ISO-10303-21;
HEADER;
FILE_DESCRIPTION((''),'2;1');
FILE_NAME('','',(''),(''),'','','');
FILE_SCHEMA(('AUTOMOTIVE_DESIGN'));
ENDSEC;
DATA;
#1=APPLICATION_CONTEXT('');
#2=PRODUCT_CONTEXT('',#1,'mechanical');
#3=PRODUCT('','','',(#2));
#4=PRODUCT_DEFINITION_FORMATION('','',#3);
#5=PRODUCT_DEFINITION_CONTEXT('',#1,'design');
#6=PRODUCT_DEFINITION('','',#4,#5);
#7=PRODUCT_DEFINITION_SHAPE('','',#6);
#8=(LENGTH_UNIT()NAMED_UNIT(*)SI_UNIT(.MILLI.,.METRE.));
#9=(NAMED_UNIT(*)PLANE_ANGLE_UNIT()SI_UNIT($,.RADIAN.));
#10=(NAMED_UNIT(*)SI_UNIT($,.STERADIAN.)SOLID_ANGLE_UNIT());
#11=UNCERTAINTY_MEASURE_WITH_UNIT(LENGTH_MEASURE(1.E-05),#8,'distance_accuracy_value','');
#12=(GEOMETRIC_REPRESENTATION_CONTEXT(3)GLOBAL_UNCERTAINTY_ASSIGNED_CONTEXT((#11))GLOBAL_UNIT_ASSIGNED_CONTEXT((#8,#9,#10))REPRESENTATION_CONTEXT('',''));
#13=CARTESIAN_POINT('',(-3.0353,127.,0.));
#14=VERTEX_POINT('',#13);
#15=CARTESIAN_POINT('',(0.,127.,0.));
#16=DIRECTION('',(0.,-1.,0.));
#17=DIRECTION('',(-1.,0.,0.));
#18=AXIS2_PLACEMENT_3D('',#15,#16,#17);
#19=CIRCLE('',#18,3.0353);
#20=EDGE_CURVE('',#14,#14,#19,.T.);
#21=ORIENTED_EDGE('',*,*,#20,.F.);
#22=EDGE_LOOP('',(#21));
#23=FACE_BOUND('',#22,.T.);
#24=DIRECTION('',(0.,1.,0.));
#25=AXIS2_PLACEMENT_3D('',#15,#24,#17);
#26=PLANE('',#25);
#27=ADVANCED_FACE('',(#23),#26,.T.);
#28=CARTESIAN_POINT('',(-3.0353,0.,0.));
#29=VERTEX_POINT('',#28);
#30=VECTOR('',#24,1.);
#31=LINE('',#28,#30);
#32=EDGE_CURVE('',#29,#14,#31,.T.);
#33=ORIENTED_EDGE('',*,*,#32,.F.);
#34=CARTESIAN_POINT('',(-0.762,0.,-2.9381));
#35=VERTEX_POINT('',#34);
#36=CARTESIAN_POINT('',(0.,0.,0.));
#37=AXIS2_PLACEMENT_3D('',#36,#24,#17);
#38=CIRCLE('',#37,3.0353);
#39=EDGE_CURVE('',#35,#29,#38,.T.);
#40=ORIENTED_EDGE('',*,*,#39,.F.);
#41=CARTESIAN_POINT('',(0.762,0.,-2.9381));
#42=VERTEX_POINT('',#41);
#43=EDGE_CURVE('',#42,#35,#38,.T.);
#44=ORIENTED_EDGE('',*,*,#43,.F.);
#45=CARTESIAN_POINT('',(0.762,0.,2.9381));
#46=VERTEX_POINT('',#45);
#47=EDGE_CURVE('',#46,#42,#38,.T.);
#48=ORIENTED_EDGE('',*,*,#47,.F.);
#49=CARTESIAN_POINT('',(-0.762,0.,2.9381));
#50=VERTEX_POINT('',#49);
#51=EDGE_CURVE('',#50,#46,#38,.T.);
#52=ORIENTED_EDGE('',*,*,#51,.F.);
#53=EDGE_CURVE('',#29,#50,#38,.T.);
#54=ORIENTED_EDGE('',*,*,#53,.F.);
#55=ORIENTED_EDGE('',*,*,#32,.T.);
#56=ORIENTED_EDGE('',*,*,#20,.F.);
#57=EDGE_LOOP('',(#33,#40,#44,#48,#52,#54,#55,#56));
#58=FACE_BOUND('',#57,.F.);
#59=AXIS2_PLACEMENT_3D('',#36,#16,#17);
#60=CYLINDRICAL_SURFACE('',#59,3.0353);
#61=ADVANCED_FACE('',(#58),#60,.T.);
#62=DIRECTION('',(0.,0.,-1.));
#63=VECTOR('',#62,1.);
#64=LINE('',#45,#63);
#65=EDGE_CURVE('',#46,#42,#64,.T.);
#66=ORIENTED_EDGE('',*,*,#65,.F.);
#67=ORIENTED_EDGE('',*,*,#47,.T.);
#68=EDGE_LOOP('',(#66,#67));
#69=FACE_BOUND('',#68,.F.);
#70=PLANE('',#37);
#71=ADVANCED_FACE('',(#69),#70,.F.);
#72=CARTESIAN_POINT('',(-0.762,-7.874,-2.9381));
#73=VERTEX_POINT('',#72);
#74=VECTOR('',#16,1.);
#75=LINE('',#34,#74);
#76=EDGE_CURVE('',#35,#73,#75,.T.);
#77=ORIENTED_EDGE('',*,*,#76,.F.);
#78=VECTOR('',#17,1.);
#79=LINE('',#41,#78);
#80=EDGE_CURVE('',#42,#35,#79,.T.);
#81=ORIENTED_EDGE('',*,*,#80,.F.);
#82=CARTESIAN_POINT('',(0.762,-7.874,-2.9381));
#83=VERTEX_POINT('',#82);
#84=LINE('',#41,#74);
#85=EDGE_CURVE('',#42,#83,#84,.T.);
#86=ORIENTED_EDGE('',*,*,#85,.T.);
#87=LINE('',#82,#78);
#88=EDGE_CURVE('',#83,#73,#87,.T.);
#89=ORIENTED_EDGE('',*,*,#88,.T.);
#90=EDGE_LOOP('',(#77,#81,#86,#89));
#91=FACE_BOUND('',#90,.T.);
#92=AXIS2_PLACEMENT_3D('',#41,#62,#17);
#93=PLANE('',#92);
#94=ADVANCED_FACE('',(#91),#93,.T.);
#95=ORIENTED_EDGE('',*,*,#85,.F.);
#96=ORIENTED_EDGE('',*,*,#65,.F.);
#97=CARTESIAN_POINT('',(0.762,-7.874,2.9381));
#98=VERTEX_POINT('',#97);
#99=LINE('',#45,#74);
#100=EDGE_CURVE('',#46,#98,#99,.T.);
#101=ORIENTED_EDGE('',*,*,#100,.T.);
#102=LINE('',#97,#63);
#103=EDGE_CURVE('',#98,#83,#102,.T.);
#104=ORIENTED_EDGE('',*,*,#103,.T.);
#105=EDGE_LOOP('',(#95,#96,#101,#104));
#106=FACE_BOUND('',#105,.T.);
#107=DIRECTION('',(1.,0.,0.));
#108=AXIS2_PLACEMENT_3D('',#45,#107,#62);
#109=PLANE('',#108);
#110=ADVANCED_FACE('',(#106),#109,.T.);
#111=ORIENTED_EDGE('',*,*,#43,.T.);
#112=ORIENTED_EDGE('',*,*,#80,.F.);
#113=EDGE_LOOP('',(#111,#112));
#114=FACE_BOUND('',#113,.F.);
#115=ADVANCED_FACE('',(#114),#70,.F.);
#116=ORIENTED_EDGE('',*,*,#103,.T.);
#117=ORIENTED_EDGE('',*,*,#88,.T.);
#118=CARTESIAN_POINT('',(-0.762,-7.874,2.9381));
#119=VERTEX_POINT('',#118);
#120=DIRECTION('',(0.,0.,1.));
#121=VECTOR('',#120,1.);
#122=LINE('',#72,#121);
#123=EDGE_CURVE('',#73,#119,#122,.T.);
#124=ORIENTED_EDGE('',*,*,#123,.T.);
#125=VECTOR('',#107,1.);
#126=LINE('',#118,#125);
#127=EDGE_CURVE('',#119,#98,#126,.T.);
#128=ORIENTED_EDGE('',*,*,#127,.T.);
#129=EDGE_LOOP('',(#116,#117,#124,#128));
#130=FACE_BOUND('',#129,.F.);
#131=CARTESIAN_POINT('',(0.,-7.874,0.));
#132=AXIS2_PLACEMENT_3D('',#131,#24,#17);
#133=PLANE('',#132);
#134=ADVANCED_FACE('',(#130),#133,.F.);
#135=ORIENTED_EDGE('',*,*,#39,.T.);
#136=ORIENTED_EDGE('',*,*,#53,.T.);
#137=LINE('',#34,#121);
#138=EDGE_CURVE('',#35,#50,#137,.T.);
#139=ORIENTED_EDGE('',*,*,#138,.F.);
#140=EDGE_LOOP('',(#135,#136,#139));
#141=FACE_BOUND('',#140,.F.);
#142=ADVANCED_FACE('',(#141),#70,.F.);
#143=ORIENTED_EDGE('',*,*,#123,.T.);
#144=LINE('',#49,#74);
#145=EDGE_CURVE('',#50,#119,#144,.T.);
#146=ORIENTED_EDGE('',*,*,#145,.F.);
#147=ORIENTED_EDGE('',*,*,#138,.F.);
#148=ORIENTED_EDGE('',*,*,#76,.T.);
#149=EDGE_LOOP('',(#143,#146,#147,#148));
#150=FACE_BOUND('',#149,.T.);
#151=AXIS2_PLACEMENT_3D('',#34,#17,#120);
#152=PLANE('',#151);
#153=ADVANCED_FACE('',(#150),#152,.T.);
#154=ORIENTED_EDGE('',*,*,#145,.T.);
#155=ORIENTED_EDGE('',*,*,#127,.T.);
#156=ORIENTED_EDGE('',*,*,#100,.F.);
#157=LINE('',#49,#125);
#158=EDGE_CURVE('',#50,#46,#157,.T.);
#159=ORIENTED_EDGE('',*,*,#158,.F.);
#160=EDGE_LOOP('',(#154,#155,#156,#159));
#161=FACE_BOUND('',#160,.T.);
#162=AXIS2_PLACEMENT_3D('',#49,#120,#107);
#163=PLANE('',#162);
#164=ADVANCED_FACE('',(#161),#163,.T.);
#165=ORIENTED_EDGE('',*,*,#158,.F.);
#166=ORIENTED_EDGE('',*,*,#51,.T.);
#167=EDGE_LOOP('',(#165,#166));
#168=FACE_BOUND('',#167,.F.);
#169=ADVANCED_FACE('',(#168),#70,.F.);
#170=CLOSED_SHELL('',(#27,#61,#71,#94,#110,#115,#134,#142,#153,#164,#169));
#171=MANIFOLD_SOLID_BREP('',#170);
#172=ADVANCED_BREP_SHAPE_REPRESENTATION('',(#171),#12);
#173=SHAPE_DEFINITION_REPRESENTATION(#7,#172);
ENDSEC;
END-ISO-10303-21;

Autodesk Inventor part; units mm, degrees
ref_plane "YZ Plane" through (0, 0, 0) normal (1, 0, 0) x (0, 1, 0)
ref_plane "XZ Plane" through (0, 0, 0) normal (0, 1, 0) x (-1, 0, 0)
ref_plane "XY Plane" through (0, 0, 0) normal (0, 0, 1) x (1, 0, 0)
sketch "Sketch1" plane through (0, 0, 0) normal (0, 1, 0) x (-1, 0, 0)
  circle A0 centre (0, 0) radius 3.0353
  line L0 (0.762, 2.9381) -> (-0.762, 2.9381)
  line L1 (-0.762, 2.9381) -> (-0.762, -2.9381)
  line L2 (-0.762, -2.9381) -> (0.762, -2.9381)
  line L3 (0.762, -2.9381) -> (0.762, 2.9381)
  dimension "d0" = 6.0706
  dimension "d1" = 1.524
extrude "Extrusion1" add sketch "Sketch1" along normal blind 127
extrude "Extrusion2" add sketch "Sketch1" against normal blind 7.874 contours L3 L2 L1 L0
properties part number "Antenna"
